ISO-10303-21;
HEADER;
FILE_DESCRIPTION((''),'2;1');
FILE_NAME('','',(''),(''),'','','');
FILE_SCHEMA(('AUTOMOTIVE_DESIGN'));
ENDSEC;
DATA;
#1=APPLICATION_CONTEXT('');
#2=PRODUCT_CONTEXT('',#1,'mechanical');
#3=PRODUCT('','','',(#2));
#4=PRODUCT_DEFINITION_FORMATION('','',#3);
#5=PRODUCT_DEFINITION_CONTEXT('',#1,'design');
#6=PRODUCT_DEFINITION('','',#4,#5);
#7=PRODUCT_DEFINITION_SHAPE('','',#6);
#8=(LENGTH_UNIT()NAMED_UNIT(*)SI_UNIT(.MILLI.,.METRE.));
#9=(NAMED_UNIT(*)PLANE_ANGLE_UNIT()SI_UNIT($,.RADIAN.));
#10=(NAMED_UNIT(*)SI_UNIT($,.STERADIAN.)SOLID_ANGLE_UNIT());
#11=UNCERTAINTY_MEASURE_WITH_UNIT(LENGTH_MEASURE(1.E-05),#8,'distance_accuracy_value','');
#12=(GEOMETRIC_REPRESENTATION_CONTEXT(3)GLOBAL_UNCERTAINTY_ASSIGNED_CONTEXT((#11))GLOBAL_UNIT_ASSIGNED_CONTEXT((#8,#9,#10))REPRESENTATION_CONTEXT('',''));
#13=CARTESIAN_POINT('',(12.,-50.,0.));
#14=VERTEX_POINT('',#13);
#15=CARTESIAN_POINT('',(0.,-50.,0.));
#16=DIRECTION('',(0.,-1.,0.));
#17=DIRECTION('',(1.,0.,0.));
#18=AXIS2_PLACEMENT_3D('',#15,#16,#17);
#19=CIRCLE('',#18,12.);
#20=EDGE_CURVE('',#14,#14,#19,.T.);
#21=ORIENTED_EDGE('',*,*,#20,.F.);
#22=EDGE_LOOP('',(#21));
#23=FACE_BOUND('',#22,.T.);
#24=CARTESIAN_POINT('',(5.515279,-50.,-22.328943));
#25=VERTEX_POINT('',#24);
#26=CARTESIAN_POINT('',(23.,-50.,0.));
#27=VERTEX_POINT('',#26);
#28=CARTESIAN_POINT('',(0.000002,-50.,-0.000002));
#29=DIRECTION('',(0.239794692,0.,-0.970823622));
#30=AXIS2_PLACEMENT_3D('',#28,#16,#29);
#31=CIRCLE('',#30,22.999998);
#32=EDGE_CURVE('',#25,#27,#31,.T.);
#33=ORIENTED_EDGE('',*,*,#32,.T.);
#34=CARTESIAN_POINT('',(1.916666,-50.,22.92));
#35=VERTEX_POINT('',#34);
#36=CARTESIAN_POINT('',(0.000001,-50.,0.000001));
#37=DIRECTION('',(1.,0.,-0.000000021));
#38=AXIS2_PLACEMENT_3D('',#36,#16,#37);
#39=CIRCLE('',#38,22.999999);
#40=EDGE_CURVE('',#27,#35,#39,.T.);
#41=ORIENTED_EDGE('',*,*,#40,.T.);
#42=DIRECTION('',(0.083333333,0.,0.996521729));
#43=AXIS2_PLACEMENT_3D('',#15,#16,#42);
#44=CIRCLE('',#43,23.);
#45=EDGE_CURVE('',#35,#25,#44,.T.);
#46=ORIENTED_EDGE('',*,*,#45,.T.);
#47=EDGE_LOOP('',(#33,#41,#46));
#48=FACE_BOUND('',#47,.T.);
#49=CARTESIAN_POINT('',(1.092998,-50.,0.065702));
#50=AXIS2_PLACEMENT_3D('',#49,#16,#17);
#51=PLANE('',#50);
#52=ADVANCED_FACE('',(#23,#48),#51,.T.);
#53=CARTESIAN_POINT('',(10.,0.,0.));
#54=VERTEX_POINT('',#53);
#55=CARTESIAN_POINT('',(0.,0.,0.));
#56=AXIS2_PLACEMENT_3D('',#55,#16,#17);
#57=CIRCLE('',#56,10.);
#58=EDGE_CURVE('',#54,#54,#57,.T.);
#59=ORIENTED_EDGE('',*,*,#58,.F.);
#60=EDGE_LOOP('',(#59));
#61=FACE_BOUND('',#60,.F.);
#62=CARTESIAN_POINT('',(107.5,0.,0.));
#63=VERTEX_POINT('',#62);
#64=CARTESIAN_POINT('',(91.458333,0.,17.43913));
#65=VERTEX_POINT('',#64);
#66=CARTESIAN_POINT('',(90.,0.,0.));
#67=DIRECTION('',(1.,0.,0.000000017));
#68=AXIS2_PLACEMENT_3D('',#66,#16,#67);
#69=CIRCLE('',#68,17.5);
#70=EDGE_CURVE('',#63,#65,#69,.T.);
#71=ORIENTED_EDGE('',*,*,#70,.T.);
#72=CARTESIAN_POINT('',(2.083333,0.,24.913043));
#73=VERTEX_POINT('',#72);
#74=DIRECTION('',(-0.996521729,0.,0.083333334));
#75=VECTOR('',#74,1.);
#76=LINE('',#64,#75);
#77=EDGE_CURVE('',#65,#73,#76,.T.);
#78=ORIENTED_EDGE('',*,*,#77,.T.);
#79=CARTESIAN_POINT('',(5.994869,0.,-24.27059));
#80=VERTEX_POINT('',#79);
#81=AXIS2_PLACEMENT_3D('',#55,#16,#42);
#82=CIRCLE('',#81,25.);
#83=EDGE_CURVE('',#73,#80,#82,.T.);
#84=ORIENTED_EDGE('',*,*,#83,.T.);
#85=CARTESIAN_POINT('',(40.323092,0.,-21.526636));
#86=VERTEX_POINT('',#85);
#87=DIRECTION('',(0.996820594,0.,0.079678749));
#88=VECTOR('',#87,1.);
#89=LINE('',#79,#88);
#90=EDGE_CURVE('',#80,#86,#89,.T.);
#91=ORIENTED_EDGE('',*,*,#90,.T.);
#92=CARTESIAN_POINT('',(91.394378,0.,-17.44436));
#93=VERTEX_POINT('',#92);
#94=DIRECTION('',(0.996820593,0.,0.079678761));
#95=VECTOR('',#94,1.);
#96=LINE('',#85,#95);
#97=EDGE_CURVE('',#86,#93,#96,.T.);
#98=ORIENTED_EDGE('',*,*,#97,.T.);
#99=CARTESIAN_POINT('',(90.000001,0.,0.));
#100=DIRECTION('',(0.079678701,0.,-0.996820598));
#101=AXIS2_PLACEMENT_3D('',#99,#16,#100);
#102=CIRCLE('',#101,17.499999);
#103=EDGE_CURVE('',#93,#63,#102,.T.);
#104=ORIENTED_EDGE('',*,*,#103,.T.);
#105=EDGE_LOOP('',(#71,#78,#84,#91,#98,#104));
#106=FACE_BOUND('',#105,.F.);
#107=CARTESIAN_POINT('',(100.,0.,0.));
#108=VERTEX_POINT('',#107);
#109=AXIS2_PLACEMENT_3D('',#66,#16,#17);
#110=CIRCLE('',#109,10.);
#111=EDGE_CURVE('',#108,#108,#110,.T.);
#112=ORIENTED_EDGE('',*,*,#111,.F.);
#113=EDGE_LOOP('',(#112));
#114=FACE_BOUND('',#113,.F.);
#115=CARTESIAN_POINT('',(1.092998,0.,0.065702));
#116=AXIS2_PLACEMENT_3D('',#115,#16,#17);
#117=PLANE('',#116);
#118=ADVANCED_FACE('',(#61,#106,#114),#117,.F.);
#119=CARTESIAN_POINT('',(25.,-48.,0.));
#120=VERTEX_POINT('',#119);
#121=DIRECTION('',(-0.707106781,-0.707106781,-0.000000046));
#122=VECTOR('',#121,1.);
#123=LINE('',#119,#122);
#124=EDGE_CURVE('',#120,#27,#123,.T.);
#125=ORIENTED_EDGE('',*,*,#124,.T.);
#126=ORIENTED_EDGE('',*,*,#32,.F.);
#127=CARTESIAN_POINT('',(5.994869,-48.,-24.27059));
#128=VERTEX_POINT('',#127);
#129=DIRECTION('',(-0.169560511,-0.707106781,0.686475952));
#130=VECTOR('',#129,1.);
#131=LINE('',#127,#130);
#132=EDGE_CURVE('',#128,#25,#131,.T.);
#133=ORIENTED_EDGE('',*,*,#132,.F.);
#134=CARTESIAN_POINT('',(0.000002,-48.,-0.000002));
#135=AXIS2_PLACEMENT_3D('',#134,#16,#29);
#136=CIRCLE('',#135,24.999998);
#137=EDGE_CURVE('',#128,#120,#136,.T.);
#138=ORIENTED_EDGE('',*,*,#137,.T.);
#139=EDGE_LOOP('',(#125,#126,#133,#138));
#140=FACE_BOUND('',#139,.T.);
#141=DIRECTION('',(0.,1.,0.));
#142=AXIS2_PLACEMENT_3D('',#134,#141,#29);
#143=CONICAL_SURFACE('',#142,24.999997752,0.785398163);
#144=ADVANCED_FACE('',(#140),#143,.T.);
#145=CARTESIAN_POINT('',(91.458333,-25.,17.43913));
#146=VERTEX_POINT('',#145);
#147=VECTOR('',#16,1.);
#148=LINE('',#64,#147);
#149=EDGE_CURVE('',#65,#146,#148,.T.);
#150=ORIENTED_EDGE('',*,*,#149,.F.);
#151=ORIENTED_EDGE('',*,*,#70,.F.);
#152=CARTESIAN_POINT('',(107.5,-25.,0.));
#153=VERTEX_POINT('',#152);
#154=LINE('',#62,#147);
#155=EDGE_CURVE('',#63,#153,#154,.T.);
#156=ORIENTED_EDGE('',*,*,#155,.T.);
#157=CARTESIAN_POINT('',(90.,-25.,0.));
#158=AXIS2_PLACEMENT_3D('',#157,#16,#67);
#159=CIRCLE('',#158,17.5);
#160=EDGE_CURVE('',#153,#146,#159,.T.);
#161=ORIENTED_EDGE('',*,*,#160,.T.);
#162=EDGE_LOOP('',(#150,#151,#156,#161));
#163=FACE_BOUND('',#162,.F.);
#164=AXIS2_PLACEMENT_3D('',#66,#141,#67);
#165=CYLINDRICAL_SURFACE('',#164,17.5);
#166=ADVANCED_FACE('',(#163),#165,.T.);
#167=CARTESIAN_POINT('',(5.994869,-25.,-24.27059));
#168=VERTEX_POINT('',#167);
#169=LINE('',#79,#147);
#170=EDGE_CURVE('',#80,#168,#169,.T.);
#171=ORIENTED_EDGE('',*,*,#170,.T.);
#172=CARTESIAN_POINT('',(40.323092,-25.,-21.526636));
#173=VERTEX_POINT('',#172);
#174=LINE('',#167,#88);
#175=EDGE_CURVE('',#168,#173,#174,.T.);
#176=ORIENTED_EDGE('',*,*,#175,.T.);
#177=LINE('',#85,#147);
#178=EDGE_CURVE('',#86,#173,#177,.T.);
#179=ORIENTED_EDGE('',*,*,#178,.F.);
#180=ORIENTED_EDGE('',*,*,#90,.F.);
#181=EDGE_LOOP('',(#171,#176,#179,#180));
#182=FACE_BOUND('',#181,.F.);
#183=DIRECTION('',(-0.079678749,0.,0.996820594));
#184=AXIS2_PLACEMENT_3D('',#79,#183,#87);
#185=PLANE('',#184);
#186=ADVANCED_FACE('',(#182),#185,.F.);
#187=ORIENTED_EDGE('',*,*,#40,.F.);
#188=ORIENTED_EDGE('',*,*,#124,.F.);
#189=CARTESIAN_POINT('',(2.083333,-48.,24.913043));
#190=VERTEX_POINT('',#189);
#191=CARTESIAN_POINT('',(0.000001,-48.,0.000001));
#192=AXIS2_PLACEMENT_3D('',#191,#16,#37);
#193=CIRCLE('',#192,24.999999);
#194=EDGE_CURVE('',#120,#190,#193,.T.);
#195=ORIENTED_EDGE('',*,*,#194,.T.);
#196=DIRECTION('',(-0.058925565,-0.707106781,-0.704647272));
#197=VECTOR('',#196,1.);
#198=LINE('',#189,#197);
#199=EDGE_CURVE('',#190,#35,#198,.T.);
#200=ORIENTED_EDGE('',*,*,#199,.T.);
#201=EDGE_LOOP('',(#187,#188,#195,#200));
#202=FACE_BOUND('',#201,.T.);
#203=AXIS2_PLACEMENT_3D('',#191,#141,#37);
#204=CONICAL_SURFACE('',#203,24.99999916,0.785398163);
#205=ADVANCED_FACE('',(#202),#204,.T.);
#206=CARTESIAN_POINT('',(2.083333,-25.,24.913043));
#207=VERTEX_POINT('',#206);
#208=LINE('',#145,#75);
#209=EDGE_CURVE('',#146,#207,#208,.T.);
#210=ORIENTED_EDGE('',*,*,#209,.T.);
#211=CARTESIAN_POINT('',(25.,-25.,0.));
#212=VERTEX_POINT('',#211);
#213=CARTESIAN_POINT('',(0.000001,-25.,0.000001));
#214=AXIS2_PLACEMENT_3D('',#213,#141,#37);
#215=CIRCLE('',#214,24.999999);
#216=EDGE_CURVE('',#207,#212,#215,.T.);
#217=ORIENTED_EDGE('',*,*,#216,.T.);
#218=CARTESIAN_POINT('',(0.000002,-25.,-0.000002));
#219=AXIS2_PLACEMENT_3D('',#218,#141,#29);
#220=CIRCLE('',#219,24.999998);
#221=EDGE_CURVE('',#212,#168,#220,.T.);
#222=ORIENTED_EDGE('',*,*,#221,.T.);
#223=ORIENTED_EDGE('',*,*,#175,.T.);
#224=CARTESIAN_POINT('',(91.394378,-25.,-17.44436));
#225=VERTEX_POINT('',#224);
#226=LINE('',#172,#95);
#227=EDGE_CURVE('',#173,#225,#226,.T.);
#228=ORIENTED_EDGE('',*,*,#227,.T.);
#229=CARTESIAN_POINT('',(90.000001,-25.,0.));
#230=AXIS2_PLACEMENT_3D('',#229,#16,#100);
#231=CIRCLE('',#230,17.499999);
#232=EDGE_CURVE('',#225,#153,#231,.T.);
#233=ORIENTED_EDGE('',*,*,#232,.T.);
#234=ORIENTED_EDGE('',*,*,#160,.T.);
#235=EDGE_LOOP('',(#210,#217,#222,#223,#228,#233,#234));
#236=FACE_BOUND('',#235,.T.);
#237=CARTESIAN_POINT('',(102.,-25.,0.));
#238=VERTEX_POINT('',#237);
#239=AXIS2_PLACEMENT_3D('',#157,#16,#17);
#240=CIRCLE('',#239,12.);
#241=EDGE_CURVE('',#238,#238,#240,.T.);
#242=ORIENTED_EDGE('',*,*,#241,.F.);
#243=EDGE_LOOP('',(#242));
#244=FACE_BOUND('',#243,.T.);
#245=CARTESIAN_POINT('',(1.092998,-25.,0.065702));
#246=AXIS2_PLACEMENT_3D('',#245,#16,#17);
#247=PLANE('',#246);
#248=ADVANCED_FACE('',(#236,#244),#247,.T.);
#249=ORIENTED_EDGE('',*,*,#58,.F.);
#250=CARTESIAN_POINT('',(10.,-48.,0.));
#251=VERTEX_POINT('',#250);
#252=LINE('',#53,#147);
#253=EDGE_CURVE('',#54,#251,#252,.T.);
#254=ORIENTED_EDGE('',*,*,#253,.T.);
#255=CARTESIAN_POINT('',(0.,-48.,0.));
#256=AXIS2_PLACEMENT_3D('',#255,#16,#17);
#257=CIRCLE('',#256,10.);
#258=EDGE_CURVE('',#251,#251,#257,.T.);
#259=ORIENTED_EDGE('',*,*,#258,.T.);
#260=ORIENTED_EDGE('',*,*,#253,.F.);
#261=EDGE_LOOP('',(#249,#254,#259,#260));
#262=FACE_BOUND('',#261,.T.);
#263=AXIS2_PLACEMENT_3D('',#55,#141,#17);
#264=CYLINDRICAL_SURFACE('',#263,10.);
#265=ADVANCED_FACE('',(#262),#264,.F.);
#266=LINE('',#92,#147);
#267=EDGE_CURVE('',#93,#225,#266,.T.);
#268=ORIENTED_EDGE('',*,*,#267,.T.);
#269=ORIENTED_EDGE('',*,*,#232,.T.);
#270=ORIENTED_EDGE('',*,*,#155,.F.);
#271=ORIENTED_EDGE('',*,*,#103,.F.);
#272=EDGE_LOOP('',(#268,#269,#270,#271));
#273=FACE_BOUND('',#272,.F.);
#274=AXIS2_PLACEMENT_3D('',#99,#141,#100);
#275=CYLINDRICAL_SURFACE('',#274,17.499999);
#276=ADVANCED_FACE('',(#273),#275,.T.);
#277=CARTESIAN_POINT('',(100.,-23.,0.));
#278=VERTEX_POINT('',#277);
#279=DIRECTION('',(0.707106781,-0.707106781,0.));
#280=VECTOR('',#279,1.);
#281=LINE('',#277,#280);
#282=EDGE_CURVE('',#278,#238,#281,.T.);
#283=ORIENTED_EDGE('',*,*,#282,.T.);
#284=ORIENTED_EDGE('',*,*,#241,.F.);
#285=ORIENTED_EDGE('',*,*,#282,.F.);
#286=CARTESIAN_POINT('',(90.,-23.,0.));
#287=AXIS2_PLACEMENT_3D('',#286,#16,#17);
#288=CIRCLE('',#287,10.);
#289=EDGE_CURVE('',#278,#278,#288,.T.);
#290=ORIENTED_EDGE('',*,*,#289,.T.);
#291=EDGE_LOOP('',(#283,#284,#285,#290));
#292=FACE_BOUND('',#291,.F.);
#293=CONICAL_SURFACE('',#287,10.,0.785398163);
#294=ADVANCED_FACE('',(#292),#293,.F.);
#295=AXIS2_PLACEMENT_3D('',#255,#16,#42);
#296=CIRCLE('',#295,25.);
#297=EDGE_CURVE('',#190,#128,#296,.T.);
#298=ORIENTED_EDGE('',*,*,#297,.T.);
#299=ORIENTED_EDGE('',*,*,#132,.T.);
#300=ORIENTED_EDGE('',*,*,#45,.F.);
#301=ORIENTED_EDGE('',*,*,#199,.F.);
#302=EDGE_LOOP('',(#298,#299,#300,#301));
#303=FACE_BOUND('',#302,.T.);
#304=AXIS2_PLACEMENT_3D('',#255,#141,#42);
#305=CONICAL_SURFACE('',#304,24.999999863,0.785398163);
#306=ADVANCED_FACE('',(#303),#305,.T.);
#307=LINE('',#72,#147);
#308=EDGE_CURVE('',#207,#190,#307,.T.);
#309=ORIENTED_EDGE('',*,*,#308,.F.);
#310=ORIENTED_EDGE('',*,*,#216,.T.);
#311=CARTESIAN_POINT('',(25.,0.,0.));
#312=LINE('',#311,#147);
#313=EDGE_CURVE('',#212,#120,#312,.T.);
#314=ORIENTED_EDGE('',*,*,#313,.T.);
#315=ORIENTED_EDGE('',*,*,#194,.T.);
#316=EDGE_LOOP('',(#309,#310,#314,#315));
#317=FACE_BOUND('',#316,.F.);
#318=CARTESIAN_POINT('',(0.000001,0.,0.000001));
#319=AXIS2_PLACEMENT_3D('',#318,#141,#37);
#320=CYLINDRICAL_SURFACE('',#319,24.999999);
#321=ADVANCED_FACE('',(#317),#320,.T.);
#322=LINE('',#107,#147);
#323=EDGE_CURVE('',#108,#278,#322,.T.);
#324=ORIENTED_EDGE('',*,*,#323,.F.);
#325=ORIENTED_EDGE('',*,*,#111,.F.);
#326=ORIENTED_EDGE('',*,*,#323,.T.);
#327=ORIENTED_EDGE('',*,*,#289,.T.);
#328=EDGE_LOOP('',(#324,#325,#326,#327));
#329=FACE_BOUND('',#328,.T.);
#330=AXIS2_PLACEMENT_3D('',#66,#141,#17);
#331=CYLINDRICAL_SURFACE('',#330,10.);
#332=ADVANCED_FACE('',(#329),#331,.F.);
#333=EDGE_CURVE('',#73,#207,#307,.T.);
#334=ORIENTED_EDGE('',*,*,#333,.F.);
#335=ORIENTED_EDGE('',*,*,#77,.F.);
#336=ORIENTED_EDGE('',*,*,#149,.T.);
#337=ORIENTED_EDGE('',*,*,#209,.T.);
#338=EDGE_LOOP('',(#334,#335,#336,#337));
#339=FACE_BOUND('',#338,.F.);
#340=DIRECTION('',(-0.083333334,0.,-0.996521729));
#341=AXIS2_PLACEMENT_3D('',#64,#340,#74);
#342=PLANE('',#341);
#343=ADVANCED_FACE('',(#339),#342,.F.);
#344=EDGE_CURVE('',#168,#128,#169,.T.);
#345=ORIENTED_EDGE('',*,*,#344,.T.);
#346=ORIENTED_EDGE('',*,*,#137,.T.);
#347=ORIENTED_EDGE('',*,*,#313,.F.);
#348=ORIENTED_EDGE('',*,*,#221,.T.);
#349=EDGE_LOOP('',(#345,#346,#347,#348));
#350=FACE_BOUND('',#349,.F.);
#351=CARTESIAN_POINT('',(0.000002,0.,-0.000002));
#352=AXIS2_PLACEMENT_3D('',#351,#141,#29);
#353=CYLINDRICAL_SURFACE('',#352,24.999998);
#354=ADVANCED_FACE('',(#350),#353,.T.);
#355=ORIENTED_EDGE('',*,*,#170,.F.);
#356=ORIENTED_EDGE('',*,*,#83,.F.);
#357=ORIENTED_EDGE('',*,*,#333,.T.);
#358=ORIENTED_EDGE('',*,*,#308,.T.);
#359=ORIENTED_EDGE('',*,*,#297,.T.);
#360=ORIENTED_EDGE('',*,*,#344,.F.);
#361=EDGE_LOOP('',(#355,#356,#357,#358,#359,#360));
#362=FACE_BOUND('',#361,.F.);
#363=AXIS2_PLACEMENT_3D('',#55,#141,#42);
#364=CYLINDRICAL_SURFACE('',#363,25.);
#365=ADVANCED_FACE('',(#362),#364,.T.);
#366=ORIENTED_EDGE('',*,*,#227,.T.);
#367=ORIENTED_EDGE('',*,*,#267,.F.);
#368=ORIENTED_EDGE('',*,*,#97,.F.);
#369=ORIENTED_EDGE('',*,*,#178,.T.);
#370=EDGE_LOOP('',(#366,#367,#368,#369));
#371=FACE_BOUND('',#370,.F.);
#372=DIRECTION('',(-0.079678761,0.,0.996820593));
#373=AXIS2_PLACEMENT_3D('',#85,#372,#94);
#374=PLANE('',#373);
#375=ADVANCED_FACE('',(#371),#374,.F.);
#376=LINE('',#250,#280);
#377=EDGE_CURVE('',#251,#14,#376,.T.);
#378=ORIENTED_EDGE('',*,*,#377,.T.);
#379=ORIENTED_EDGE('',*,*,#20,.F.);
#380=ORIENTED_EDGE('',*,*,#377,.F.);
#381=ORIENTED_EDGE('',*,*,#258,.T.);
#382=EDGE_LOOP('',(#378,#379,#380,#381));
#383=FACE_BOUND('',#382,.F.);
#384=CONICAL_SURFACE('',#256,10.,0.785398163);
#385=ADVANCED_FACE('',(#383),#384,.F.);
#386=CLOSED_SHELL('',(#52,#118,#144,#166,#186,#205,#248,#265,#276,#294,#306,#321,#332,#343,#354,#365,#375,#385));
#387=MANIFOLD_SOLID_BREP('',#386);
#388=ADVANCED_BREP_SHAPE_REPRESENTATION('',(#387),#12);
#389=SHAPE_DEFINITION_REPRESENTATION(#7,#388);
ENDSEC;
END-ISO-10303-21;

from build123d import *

# Parameters (mm, degrees)
F0_R     = 10
F1_DEPTH = 25
F2_DEPTH = 50
F3_SIZE  = 2


with BuildPart() as f1:
    # F0 (on Front) → F1 (new body)
    with BuildSketch(Plane.XZ):
        with BuildLine():
            ThreePointArc((5.994869, -24.27059), (19.683391, -15.413116), (25, 0))
            ThreePointArc((25, 0), (18.399502, 16.92508), (2.083333, 24.913043))
            ThreePointArc((2.083333, 24.913043), (-24.921312, -1.981973), (5.994869, -24.27059))
        make_face()
        Circle(F0_R, mode=Mode.SUBTRACT)
        with BuildLine():
            ThreePointArc((2.083333, 24.913043), (18.399502, 16.92508), (25, 0))
            ThreePointArc((25, 0), (19.683391, -15.413116), (5.994869, -24.27059))
            Line((5.994869, -24.27059), (40.323092, -21.526636))
            Line((40.323092, -21.526636), (91.394378, -17.44436))
            ThreePointArc((91.394378, -17.44436), (72.500029, 0.032084), (91.458333, 17.43913))
            Line((91.458333, 17.43913), (2.083333, 24.913043))
        make_face()
        with BuildLine():
            ThreePointArc((107.5, 0), (102.879651, 11.847556), (91.458333, 17.43913))
            ThreePointArc((91.458333, 17.43913), (72.500029, 0.032084), (91.394378, -17.44436))
            ThreePointArc((91.394378, -17.44436), (102.857908, -11.87115), (107.5, 0))
        make_face()
        with Locations((90, 0)):
            Circle(F0_R, mode=Mode.SUBTRACT)
    extrude(amount=F1_DEPTH)

    # F0 (on Front) → F2 (join)
    with BuildSketch(Plane.XZ):
        with BuildLine():
            ThreePointArc((5.994869, -24.27059), (19.683391, -15.413116), (25, 0))
            ThreePointArc((25, 0), (18.399502, 16.92508), (2.083333, 24.913043))
            ThreePointArc((2.083333, 24.913043), (-24.921312, -1.981973), (5.994869, -24.27059))
        make_face()
        Circle(F0_R, mode=Mode.SUBTRACT)
    extrude(amount=F2_DEPTH)

    # F3
    f3_edges = [f1.edges().sort_by_distance(p)[0] for p in [
        (-5.994869, -50, 24.27059),
        (-10, -50, 0),
        (80, -25, 0),
    ]]
    chamfer(f3_edges, length=F3_SIZE)


solid = f1.part
